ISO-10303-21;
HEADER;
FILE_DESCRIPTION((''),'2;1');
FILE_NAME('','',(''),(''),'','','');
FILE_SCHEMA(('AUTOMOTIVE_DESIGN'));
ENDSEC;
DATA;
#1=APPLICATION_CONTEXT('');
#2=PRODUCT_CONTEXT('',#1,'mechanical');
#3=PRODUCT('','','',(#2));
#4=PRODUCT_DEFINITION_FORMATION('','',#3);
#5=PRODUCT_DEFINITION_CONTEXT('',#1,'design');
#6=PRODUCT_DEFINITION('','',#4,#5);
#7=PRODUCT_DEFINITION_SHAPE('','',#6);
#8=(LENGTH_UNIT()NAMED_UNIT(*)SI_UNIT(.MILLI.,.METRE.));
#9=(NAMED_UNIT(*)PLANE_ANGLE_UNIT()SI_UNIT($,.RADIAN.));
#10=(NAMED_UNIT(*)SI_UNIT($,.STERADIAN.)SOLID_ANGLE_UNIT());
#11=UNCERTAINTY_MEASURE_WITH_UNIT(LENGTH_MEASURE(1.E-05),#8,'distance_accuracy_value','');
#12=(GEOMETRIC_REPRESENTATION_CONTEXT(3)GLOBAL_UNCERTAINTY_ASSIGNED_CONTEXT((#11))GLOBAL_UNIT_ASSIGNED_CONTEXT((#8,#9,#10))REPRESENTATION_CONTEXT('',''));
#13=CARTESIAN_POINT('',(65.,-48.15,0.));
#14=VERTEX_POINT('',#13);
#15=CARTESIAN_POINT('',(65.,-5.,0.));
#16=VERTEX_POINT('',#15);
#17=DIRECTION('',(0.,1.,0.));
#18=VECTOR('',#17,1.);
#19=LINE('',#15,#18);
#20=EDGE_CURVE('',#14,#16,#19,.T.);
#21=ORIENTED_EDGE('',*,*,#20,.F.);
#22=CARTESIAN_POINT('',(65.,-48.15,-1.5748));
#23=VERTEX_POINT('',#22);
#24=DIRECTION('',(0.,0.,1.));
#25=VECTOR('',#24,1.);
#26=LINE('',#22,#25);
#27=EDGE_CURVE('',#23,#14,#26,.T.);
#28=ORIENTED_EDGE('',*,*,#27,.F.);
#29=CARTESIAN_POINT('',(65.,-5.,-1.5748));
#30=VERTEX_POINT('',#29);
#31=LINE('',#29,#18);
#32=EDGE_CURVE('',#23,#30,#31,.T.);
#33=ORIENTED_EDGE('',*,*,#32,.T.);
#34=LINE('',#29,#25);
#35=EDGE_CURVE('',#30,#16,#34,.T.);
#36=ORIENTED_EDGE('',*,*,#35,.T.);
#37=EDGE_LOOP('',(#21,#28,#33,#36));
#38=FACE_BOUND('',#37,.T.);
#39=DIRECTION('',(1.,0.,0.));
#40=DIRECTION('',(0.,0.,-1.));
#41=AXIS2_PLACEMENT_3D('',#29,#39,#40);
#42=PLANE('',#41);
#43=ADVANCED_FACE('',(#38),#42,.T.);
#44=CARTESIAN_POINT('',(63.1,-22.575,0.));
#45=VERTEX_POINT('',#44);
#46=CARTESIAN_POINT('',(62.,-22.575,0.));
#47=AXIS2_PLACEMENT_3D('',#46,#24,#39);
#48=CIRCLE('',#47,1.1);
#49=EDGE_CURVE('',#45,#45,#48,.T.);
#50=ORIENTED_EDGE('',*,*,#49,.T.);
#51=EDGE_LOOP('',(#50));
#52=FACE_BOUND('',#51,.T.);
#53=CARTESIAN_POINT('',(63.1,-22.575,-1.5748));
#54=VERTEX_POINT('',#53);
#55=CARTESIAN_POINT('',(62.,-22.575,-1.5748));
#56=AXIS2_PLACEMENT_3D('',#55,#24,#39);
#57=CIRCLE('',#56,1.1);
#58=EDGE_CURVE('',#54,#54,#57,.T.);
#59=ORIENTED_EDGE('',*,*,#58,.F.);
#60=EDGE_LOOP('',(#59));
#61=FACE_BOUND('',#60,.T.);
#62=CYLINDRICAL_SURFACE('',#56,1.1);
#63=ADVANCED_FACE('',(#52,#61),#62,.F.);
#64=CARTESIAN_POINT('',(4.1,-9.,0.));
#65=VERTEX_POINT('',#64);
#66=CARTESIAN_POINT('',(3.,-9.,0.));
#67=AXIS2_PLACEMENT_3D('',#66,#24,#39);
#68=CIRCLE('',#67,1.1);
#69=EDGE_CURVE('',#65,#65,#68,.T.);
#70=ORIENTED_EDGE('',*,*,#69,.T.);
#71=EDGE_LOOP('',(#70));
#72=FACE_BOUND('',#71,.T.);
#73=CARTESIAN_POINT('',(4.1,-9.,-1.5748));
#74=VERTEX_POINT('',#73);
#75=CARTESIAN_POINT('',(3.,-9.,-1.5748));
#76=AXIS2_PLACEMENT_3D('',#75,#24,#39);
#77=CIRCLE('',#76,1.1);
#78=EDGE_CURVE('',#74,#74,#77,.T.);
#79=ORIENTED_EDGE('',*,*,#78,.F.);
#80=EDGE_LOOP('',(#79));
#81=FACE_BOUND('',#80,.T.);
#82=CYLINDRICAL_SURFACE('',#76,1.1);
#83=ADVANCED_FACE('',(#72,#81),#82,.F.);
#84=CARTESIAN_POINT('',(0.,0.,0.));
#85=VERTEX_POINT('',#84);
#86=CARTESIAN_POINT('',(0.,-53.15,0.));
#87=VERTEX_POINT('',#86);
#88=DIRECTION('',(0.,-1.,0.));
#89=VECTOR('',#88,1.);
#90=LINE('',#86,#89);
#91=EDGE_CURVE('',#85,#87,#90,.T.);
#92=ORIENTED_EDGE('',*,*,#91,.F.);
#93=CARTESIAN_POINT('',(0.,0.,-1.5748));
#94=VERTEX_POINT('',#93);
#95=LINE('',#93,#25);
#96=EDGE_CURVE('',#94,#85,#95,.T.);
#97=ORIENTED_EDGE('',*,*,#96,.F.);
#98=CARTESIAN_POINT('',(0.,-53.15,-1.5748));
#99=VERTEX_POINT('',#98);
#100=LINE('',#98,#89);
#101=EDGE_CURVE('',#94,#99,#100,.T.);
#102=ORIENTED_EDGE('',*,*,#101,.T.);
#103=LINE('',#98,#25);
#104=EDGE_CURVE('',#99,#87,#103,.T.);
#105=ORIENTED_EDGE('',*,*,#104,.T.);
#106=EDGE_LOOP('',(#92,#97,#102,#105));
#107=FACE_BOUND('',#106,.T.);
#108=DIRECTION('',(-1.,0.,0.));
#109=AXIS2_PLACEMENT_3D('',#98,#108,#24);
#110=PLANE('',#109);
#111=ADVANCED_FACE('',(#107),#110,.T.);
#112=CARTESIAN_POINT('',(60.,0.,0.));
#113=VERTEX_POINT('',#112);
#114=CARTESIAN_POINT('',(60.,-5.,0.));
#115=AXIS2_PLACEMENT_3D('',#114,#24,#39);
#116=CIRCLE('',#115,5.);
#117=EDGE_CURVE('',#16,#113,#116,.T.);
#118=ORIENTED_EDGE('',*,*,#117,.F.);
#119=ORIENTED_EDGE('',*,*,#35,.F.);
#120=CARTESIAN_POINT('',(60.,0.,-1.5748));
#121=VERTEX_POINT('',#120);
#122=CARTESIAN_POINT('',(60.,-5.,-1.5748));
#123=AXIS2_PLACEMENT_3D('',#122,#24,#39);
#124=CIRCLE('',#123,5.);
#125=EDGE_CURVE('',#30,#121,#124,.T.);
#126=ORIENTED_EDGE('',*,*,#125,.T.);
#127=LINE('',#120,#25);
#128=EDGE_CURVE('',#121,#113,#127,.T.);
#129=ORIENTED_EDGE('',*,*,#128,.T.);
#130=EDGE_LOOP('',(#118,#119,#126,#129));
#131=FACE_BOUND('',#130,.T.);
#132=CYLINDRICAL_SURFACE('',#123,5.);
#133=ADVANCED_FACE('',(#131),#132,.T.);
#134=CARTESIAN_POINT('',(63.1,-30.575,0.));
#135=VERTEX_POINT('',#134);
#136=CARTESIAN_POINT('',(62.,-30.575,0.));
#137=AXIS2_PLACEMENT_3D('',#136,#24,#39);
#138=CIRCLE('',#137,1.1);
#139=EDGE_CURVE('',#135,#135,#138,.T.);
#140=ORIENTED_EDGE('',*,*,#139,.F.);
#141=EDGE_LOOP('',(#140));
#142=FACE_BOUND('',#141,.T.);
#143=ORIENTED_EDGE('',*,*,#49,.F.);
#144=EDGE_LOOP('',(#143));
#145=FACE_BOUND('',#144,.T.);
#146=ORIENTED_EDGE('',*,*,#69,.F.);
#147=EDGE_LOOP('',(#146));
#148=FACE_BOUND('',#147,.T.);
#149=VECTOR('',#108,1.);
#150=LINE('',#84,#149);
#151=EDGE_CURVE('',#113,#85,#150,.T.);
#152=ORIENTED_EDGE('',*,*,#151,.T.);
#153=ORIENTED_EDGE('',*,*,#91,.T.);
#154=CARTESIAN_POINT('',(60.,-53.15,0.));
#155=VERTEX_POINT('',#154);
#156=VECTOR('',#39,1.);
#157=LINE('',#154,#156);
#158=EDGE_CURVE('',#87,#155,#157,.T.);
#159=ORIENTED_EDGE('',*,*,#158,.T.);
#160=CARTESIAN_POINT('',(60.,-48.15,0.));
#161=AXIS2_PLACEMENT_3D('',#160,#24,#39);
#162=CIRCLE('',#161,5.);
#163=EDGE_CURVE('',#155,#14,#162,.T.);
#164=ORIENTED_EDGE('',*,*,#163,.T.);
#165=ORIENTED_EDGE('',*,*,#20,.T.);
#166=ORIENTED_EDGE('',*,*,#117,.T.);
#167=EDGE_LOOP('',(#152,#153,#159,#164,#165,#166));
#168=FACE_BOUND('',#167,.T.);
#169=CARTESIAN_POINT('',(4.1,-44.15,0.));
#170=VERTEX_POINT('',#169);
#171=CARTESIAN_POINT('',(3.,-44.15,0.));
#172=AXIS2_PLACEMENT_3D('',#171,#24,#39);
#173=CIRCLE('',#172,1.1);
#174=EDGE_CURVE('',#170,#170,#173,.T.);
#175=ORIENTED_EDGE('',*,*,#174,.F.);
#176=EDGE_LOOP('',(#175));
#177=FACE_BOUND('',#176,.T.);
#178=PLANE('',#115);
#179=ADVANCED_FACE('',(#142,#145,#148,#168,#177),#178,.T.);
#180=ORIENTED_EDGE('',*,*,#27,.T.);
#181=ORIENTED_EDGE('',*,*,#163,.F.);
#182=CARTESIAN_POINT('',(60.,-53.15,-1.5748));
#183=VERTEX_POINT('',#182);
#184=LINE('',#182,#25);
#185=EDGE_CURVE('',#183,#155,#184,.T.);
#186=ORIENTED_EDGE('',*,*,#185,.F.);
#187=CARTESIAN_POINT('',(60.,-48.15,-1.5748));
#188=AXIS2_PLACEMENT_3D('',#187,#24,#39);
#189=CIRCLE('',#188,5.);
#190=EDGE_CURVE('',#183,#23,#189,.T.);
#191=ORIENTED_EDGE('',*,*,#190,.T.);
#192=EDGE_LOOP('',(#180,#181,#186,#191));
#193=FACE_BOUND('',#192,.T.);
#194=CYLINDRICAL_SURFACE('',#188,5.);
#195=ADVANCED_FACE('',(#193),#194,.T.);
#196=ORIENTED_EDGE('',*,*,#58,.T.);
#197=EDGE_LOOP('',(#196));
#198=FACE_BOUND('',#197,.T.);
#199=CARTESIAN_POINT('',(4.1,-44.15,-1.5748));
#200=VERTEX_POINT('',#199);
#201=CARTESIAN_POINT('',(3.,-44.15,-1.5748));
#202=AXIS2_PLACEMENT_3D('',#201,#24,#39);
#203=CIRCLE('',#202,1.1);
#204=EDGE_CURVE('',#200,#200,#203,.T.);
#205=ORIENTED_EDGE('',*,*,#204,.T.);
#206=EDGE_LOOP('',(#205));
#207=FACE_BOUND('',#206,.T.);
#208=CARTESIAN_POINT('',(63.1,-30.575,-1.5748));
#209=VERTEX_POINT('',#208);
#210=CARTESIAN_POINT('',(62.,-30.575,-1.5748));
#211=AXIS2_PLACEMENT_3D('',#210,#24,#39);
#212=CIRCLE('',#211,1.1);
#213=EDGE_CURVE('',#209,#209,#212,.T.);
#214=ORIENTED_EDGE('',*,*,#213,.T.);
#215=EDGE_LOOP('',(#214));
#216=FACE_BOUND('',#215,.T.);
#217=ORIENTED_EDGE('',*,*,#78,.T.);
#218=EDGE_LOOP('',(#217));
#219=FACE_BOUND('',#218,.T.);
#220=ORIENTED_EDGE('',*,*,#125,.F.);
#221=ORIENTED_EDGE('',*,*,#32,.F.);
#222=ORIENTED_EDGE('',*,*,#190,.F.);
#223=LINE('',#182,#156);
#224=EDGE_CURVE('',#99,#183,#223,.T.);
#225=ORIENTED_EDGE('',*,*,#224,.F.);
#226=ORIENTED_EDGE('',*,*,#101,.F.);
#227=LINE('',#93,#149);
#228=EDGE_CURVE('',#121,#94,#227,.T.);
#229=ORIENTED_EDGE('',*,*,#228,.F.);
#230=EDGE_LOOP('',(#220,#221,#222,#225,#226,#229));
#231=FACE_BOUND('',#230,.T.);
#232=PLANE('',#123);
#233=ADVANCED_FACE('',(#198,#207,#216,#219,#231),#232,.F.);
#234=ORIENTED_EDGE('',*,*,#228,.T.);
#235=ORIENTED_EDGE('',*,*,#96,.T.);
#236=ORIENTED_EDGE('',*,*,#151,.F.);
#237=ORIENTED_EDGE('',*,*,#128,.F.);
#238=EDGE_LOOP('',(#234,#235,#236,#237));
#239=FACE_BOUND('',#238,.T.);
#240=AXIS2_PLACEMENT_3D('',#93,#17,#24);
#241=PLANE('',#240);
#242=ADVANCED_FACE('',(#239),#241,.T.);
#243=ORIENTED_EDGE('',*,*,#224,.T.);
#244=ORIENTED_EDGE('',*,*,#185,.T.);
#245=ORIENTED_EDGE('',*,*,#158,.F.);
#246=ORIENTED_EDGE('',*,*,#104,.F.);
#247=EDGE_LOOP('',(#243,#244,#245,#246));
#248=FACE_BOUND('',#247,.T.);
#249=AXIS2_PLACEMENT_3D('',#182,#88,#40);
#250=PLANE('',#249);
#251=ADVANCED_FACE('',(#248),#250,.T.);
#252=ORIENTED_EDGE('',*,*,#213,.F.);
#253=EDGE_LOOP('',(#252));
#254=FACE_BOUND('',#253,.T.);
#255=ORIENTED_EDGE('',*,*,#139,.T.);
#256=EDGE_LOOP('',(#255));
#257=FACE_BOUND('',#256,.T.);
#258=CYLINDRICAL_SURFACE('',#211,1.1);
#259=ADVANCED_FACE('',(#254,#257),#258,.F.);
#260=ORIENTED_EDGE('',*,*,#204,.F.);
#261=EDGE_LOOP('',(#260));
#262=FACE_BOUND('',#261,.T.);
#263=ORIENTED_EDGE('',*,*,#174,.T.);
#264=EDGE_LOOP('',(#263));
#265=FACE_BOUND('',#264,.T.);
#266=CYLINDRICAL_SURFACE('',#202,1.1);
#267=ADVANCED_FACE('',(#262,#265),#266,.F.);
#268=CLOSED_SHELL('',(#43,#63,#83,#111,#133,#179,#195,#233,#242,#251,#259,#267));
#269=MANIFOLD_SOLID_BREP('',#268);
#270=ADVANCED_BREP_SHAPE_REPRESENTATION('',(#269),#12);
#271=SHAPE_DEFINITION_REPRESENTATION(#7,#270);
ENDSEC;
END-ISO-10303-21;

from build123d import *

# Parameters (mm, degrees)
F_20_MCAT_BPL2_PCB_OUTLINE_R = 1.1
BOSS_EXTRUDE1_DEPTH          = 1.5748


with BuildPart() as part:
    # 20 MCAT BPL2 PCB Outline → Boss-Extrude1 (new body)
    with BuildSketch(Plane.XY):
        with BuildLine():
            Line((0, -53.15), (0, 0))
            Line((0, 0), (60, 0))
            ThreePointArc((60, 0), (63.535533906, -1.464466094), (65, -5))
            Line((65, -5), (65, -48.15))
            ThreePointArc((65, -48.15), (63.535533906, -51.685533906), (60, -53.15))
            Line((60, -53.15), (0, -53.15))
        make_face()
        with Locations((3, -44.15)):
            Circle(F_20_MCAT_BPL2_PCB_OUTLINE_R, mode=Mode.SUBTRACT)
        with Locations((62, -30.575)):
            Circle(F_20_MCAT_BPL2_PCB_OUTLINE_R, mode=Mode.SUBTRACT)
        with Locations((3, -9)):
            Circle(F_20_MCAT_BPL2_PCB_OUTLINE_R, mode=Mode.SUBTRACT)
        with Locations((62, -22.575)):
            Circle(F_20_MCAT_BPL2_PCB_OUTLINE_R, mode=Mode.SUBTRACT)
    extrude(amount=-BOSS_EXTRUDE1_DEPTH)


solid = part.part
